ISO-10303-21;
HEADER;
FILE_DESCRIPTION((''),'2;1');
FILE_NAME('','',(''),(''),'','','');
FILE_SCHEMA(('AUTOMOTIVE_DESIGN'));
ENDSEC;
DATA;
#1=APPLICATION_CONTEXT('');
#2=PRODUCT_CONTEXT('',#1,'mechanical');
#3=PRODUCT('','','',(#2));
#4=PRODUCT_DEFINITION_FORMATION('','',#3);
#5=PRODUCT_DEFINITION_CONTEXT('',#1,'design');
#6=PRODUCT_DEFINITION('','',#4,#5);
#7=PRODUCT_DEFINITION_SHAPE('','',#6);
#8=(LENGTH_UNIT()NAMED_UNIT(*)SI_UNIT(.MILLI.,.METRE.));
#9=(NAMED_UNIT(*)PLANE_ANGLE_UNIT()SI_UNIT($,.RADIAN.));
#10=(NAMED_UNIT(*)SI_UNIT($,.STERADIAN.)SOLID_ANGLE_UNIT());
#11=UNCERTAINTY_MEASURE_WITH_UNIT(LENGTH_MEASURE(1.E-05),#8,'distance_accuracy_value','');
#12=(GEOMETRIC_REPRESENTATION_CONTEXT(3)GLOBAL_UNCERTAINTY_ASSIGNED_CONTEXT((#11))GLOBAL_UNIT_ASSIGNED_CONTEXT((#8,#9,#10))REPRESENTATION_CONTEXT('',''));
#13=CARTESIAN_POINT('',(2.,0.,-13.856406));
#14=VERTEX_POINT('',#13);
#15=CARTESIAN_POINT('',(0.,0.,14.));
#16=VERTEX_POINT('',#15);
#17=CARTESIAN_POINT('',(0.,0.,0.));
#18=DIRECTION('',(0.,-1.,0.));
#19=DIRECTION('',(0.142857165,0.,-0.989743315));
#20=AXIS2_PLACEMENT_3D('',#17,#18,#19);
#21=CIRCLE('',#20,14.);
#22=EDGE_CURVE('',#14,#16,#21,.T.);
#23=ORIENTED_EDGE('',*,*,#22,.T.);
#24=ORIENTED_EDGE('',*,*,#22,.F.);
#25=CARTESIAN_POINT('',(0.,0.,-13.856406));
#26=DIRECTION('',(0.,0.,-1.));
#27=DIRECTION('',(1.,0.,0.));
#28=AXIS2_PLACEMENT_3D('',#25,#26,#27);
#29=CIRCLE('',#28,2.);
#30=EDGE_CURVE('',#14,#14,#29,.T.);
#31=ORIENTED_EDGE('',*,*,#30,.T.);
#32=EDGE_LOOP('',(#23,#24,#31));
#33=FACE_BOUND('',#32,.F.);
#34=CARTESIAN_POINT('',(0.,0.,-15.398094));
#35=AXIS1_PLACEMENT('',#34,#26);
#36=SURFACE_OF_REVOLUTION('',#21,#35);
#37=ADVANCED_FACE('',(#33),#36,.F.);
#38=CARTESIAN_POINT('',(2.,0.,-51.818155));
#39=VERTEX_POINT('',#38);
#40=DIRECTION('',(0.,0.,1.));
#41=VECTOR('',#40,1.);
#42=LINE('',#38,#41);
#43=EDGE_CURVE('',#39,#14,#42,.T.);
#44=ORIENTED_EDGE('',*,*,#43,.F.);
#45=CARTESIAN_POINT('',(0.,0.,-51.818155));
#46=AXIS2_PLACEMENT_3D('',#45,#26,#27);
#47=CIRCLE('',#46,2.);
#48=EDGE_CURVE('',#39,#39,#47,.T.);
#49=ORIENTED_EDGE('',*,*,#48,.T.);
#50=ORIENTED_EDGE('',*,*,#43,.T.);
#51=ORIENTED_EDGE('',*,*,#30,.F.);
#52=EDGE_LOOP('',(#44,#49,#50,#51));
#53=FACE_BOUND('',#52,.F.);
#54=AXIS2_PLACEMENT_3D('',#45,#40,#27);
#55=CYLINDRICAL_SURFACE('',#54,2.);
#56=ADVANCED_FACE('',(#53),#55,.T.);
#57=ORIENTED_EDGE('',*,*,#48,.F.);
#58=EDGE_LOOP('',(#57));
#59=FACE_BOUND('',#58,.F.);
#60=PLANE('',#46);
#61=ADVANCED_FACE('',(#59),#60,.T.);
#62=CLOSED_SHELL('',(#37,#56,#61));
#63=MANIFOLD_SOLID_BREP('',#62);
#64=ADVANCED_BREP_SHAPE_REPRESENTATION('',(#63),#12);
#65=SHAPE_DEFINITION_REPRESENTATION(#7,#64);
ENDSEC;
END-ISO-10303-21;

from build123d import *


with BuildPart() as f1:
    # F0 (on Front) → F1 (revolve)
    with BuildSketch(Plane.XZ):
        with BuildLine():
            Line((2, -51.818155), (2, -13.856406))
            ThreePointArc((2, -13.856406), (13.964055, 1.002574), (0, 14))
            Line((0, 14), (0, -51.818155))
            Line((0, -51.818155), (2, -51.818155))
        make_face()
    revolve(axis=Axis((0, 0, -15.398094), (0, 0, -1)))


solid = f1.part
